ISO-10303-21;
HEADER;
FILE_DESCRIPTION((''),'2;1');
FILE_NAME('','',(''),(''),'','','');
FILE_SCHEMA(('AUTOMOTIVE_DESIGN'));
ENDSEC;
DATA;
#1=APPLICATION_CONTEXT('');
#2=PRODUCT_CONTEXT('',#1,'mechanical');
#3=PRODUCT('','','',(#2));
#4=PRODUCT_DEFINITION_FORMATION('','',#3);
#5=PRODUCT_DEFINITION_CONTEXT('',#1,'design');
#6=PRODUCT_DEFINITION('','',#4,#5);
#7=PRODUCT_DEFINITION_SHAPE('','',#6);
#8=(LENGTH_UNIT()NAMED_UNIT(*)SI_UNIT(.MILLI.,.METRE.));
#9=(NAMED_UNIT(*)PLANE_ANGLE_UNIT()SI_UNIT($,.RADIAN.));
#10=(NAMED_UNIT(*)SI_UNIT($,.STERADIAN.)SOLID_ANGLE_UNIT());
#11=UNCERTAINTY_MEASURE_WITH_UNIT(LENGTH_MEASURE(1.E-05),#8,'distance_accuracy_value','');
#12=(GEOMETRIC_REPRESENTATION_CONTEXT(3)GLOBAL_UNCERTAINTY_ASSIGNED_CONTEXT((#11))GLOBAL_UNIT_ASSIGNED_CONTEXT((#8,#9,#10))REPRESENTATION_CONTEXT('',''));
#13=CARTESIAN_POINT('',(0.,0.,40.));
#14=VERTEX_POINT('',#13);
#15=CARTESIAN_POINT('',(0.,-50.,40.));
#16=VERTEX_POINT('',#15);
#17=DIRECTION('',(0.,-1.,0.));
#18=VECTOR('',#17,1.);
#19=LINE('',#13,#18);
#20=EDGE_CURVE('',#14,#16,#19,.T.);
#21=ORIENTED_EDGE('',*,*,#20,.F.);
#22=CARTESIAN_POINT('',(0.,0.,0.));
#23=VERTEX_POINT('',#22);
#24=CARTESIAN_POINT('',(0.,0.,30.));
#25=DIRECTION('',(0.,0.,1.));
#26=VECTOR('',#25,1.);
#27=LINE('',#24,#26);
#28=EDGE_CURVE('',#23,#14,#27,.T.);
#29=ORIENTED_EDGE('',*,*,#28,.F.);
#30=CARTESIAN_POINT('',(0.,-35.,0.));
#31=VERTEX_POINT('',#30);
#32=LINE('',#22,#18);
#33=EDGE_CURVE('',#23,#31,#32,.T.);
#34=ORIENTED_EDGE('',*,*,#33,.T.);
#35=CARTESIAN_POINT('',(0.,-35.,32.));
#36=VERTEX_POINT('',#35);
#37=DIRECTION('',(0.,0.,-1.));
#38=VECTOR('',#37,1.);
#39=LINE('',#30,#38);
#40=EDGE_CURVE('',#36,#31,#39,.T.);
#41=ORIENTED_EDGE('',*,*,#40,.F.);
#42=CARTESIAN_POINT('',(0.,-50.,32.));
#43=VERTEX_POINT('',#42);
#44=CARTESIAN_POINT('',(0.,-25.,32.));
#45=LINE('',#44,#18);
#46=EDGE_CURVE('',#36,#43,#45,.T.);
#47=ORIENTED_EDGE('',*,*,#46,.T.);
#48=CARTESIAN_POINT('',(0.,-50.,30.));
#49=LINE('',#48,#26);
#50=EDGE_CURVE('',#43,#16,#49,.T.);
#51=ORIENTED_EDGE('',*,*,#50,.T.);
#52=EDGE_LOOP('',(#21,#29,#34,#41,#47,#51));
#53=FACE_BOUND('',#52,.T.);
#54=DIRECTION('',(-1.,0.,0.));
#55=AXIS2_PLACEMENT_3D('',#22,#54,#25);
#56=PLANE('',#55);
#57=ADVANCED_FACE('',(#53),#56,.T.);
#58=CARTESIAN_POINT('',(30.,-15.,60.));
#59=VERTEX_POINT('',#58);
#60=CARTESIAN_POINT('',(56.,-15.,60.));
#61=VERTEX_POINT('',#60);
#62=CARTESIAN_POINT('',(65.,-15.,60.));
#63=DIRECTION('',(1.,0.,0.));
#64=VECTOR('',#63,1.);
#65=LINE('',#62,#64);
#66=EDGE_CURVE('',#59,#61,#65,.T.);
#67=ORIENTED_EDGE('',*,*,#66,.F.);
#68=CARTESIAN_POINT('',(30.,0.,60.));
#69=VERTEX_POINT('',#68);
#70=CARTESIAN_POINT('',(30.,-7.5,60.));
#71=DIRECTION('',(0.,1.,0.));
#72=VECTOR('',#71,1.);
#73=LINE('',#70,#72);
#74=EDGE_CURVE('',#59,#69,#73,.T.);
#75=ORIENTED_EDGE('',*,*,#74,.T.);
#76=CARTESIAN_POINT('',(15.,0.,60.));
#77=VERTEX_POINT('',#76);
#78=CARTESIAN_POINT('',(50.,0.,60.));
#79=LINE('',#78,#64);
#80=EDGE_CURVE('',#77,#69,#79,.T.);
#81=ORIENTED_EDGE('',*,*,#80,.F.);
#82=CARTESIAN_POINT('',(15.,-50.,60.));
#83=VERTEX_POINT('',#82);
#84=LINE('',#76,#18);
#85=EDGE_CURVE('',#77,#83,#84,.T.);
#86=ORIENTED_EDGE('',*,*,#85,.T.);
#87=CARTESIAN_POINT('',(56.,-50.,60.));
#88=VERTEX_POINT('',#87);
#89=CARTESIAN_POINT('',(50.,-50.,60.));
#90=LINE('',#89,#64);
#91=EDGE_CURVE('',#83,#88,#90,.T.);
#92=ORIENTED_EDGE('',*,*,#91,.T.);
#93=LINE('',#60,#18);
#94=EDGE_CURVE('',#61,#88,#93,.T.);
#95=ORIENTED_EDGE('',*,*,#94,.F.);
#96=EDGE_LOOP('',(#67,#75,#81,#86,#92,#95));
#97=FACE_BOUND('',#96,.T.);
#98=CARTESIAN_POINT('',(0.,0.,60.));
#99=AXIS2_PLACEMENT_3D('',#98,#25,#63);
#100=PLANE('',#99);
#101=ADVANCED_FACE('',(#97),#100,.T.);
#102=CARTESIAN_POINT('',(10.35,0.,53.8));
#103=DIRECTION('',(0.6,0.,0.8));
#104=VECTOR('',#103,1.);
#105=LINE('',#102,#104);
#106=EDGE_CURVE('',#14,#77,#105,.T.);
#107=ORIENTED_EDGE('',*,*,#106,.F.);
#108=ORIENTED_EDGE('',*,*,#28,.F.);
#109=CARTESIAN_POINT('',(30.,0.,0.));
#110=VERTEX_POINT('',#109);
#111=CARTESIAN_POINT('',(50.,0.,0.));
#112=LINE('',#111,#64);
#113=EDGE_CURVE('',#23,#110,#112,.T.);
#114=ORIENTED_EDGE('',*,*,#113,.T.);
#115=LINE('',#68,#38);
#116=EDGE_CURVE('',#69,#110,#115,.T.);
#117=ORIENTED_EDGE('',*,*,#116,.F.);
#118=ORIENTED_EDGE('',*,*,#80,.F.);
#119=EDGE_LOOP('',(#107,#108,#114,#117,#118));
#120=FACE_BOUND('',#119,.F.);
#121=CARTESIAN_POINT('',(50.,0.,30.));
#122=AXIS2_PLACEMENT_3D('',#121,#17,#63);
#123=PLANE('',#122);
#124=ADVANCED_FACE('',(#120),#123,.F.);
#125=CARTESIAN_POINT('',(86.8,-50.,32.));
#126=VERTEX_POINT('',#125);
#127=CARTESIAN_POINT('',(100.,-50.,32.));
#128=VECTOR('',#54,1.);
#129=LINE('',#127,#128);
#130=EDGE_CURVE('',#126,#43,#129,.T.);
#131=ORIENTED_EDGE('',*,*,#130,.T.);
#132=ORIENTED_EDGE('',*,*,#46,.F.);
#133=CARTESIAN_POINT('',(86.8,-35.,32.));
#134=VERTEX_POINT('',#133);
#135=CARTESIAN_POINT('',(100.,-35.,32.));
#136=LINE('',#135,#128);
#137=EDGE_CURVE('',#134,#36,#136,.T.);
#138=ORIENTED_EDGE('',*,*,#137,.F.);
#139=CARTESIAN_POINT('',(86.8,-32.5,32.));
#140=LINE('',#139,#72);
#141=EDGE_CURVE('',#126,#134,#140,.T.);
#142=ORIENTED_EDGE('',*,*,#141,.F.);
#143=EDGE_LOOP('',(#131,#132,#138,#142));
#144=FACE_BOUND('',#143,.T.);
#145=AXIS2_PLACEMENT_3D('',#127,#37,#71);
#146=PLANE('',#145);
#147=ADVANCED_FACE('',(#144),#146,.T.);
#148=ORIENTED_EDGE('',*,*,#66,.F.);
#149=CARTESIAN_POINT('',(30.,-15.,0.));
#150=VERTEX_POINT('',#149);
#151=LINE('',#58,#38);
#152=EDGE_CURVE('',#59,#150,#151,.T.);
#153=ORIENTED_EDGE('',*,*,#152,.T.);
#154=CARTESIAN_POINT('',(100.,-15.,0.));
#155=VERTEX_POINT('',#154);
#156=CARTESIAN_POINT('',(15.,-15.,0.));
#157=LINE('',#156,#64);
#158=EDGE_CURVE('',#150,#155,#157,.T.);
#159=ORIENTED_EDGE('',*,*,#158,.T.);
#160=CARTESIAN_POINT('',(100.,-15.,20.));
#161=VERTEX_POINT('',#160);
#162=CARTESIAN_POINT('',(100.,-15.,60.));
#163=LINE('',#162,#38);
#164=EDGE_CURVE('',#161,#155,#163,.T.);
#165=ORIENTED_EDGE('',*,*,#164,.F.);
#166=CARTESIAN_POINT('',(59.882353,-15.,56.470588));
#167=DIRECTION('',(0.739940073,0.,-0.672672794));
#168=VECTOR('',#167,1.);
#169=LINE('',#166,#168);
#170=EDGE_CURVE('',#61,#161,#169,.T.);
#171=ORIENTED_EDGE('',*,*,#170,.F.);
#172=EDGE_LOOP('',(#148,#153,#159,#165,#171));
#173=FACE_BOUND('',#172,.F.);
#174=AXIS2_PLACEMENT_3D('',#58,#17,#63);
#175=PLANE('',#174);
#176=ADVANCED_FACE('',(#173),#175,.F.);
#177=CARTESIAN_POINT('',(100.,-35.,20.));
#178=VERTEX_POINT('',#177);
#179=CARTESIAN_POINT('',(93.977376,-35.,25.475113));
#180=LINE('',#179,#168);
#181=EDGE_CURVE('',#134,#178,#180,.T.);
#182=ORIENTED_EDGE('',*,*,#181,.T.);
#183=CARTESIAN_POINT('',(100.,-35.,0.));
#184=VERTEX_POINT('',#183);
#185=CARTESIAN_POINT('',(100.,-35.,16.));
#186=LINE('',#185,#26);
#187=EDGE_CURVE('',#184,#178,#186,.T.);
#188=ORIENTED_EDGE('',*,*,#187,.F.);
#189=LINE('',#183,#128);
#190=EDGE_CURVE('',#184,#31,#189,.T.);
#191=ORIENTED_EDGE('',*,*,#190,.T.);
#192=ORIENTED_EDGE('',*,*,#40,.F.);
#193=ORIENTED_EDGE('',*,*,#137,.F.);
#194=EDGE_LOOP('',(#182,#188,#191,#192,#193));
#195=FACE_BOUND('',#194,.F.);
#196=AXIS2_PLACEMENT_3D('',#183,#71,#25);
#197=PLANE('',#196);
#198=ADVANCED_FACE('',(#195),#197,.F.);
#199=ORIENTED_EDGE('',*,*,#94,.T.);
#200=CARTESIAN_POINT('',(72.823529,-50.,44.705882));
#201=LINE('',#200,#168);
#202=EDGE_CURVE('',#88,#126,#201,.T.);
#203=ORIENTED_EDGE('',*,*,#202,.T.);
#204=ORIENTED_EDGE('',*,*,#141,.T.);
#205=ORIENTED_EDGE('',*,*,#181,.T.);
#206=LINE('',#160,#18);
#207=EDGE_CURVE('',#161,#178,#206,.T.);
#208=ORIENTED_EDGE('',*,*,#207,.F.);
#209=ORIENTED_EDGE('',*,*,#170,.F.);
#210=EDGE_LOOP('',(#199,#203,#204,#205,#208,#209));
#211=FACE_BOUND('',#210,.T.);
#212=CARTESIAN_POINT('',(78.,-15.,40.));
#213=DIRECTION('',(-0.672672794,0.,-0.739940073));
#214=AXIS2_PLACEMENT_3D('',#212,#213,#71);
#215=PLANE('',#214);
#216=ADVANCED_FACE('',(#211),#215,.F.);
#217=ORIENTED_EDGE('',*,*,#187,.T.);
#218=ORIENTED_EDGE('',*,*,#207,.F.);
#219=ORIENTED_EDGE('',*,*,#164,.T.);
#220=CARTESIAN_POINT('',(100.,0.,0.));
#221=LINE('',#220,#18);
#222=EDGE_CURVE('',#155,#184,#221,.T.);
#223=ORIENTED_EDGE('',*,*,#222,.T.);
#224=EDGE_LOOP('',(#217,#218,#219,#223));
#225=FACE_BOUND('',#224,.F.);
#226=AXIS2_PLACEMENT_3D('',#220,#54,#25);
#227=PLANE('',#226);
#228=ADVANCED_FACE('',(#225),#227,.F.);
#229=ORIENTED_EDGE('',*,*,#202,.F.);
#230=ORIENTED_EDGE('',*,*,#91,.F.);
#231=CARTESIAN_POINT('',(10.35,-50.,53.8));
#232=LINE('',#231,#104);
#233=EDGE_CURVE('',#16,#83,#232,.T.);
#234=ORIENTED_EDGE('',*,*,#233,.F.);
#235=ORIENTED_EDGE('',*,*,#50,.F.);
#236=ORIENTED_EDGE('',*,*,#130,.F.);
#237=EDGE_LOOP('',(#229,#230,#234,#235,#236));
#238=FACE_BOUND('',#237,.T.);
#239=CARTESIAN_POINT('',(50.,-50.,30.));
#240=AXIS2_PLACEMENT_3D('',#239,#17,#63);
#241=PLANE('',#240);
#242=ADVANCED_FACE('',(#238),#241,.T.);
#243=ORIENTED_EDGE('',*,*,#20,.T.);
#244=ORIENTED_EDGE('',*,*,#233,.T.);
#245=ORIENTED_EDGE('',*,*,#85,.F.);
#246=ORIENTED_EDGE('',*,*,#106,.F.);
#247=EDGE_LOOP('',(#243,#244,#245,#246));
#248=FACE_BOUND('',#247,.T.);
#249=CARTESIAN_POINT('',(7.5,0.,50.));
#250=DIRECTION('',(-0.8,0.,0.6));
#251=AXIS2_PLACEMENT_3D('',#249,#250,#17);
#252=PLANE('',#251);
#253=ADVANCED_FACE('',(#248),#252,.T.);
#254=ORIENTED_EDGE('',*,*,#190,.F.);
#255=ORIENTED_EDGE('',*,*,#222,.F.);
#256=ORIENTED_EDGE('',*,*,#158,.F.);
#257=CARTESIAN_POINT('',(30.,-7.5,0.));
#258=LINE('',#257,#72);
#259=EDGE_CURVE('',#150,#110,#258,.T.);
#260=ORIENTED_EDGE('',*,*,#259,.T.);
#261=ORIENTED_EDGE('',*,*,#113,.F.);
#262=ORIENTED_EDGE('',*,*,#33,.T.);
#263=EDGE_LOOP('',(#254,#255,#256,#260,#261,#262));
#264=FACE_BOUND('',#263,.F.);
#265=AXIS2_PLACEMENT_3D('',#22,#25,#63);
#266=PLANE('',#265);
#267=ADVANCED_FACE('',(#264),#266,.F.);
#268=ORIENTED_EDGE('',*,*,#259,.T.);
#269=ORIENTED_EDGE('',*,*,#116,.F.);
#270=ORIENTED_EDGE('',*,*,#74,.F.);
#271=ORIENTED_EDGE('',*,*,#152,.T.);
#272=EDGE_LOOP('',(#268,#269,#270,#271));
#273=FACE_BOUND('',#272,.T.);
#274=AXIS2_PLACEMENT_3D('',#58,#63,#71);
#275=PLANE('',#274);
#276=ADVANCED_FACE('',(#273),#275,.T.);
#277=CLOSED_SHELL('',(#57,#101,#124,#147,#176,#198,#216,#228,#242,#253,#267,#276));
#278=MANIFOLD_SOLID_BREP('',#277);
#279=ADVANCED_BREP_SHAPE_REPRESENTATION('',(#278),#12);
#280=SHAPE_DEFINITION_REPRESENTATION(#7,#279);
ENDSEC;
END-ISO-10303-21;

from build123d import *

# Parameters (mm, degrees)
F0_W     = 100
F0_H     = 60
F1_DEPTH = 50
F2_W     = 15
F2_H     = 32
F3_DEPTH = 100.001
F4_W     = 70
F4_H     = 15
F5_DEPTH = 60.001
F6_SIZE2 = 15
F6_SIZE  = 20
F7_SIZE2 = 40
F7_SIZE  = 44


with BuildPart() as f1:
    # F0 (on Front) → F1 (new body)
    with BuildSketch(Plane.XZ):
        with Locations((50, 30)):
            Rectangle(F0_W, F0_H)
    extrude(amount=F1_DEPTH)

    # F2 (on face) → F3 (cut, through all)
    with BuildSketch(Plane.YZ.offset(100)):
        with Locations((-42.5, 16)):
            Rectangle(F2_W, F2_H)
    extrude(amount=-F3_DEPTH, mode=Mode.SUBTRACT)

    # F4 (on face) → F5 (cut, through all)
    with BuildSketch(Plane.XY.offset(60)):
        with Locations((65, -7.5)):
            Rectangle(F4_W, F4_H)
    extrude(amount=-F5_DEPTH, mode=Mode.SUBTRACT)

    # F6
    f6_edges = [f1.edges().sort_by_distance(p)[0] for p in [
        (0, -25, 60),
    ]]
    chamfer(f6_edges, length=F6_SIZE, length2=F6_SIZE2)

    # F7
    f7_edges = [f1.edges().sort_by_distance(p)[0] for p in [
        (100, -32.5, 60),
    ]]
    chamfer(f7_edges, length=F7_SIZE, length2=F7_SIZE2)


solid = f1.part
